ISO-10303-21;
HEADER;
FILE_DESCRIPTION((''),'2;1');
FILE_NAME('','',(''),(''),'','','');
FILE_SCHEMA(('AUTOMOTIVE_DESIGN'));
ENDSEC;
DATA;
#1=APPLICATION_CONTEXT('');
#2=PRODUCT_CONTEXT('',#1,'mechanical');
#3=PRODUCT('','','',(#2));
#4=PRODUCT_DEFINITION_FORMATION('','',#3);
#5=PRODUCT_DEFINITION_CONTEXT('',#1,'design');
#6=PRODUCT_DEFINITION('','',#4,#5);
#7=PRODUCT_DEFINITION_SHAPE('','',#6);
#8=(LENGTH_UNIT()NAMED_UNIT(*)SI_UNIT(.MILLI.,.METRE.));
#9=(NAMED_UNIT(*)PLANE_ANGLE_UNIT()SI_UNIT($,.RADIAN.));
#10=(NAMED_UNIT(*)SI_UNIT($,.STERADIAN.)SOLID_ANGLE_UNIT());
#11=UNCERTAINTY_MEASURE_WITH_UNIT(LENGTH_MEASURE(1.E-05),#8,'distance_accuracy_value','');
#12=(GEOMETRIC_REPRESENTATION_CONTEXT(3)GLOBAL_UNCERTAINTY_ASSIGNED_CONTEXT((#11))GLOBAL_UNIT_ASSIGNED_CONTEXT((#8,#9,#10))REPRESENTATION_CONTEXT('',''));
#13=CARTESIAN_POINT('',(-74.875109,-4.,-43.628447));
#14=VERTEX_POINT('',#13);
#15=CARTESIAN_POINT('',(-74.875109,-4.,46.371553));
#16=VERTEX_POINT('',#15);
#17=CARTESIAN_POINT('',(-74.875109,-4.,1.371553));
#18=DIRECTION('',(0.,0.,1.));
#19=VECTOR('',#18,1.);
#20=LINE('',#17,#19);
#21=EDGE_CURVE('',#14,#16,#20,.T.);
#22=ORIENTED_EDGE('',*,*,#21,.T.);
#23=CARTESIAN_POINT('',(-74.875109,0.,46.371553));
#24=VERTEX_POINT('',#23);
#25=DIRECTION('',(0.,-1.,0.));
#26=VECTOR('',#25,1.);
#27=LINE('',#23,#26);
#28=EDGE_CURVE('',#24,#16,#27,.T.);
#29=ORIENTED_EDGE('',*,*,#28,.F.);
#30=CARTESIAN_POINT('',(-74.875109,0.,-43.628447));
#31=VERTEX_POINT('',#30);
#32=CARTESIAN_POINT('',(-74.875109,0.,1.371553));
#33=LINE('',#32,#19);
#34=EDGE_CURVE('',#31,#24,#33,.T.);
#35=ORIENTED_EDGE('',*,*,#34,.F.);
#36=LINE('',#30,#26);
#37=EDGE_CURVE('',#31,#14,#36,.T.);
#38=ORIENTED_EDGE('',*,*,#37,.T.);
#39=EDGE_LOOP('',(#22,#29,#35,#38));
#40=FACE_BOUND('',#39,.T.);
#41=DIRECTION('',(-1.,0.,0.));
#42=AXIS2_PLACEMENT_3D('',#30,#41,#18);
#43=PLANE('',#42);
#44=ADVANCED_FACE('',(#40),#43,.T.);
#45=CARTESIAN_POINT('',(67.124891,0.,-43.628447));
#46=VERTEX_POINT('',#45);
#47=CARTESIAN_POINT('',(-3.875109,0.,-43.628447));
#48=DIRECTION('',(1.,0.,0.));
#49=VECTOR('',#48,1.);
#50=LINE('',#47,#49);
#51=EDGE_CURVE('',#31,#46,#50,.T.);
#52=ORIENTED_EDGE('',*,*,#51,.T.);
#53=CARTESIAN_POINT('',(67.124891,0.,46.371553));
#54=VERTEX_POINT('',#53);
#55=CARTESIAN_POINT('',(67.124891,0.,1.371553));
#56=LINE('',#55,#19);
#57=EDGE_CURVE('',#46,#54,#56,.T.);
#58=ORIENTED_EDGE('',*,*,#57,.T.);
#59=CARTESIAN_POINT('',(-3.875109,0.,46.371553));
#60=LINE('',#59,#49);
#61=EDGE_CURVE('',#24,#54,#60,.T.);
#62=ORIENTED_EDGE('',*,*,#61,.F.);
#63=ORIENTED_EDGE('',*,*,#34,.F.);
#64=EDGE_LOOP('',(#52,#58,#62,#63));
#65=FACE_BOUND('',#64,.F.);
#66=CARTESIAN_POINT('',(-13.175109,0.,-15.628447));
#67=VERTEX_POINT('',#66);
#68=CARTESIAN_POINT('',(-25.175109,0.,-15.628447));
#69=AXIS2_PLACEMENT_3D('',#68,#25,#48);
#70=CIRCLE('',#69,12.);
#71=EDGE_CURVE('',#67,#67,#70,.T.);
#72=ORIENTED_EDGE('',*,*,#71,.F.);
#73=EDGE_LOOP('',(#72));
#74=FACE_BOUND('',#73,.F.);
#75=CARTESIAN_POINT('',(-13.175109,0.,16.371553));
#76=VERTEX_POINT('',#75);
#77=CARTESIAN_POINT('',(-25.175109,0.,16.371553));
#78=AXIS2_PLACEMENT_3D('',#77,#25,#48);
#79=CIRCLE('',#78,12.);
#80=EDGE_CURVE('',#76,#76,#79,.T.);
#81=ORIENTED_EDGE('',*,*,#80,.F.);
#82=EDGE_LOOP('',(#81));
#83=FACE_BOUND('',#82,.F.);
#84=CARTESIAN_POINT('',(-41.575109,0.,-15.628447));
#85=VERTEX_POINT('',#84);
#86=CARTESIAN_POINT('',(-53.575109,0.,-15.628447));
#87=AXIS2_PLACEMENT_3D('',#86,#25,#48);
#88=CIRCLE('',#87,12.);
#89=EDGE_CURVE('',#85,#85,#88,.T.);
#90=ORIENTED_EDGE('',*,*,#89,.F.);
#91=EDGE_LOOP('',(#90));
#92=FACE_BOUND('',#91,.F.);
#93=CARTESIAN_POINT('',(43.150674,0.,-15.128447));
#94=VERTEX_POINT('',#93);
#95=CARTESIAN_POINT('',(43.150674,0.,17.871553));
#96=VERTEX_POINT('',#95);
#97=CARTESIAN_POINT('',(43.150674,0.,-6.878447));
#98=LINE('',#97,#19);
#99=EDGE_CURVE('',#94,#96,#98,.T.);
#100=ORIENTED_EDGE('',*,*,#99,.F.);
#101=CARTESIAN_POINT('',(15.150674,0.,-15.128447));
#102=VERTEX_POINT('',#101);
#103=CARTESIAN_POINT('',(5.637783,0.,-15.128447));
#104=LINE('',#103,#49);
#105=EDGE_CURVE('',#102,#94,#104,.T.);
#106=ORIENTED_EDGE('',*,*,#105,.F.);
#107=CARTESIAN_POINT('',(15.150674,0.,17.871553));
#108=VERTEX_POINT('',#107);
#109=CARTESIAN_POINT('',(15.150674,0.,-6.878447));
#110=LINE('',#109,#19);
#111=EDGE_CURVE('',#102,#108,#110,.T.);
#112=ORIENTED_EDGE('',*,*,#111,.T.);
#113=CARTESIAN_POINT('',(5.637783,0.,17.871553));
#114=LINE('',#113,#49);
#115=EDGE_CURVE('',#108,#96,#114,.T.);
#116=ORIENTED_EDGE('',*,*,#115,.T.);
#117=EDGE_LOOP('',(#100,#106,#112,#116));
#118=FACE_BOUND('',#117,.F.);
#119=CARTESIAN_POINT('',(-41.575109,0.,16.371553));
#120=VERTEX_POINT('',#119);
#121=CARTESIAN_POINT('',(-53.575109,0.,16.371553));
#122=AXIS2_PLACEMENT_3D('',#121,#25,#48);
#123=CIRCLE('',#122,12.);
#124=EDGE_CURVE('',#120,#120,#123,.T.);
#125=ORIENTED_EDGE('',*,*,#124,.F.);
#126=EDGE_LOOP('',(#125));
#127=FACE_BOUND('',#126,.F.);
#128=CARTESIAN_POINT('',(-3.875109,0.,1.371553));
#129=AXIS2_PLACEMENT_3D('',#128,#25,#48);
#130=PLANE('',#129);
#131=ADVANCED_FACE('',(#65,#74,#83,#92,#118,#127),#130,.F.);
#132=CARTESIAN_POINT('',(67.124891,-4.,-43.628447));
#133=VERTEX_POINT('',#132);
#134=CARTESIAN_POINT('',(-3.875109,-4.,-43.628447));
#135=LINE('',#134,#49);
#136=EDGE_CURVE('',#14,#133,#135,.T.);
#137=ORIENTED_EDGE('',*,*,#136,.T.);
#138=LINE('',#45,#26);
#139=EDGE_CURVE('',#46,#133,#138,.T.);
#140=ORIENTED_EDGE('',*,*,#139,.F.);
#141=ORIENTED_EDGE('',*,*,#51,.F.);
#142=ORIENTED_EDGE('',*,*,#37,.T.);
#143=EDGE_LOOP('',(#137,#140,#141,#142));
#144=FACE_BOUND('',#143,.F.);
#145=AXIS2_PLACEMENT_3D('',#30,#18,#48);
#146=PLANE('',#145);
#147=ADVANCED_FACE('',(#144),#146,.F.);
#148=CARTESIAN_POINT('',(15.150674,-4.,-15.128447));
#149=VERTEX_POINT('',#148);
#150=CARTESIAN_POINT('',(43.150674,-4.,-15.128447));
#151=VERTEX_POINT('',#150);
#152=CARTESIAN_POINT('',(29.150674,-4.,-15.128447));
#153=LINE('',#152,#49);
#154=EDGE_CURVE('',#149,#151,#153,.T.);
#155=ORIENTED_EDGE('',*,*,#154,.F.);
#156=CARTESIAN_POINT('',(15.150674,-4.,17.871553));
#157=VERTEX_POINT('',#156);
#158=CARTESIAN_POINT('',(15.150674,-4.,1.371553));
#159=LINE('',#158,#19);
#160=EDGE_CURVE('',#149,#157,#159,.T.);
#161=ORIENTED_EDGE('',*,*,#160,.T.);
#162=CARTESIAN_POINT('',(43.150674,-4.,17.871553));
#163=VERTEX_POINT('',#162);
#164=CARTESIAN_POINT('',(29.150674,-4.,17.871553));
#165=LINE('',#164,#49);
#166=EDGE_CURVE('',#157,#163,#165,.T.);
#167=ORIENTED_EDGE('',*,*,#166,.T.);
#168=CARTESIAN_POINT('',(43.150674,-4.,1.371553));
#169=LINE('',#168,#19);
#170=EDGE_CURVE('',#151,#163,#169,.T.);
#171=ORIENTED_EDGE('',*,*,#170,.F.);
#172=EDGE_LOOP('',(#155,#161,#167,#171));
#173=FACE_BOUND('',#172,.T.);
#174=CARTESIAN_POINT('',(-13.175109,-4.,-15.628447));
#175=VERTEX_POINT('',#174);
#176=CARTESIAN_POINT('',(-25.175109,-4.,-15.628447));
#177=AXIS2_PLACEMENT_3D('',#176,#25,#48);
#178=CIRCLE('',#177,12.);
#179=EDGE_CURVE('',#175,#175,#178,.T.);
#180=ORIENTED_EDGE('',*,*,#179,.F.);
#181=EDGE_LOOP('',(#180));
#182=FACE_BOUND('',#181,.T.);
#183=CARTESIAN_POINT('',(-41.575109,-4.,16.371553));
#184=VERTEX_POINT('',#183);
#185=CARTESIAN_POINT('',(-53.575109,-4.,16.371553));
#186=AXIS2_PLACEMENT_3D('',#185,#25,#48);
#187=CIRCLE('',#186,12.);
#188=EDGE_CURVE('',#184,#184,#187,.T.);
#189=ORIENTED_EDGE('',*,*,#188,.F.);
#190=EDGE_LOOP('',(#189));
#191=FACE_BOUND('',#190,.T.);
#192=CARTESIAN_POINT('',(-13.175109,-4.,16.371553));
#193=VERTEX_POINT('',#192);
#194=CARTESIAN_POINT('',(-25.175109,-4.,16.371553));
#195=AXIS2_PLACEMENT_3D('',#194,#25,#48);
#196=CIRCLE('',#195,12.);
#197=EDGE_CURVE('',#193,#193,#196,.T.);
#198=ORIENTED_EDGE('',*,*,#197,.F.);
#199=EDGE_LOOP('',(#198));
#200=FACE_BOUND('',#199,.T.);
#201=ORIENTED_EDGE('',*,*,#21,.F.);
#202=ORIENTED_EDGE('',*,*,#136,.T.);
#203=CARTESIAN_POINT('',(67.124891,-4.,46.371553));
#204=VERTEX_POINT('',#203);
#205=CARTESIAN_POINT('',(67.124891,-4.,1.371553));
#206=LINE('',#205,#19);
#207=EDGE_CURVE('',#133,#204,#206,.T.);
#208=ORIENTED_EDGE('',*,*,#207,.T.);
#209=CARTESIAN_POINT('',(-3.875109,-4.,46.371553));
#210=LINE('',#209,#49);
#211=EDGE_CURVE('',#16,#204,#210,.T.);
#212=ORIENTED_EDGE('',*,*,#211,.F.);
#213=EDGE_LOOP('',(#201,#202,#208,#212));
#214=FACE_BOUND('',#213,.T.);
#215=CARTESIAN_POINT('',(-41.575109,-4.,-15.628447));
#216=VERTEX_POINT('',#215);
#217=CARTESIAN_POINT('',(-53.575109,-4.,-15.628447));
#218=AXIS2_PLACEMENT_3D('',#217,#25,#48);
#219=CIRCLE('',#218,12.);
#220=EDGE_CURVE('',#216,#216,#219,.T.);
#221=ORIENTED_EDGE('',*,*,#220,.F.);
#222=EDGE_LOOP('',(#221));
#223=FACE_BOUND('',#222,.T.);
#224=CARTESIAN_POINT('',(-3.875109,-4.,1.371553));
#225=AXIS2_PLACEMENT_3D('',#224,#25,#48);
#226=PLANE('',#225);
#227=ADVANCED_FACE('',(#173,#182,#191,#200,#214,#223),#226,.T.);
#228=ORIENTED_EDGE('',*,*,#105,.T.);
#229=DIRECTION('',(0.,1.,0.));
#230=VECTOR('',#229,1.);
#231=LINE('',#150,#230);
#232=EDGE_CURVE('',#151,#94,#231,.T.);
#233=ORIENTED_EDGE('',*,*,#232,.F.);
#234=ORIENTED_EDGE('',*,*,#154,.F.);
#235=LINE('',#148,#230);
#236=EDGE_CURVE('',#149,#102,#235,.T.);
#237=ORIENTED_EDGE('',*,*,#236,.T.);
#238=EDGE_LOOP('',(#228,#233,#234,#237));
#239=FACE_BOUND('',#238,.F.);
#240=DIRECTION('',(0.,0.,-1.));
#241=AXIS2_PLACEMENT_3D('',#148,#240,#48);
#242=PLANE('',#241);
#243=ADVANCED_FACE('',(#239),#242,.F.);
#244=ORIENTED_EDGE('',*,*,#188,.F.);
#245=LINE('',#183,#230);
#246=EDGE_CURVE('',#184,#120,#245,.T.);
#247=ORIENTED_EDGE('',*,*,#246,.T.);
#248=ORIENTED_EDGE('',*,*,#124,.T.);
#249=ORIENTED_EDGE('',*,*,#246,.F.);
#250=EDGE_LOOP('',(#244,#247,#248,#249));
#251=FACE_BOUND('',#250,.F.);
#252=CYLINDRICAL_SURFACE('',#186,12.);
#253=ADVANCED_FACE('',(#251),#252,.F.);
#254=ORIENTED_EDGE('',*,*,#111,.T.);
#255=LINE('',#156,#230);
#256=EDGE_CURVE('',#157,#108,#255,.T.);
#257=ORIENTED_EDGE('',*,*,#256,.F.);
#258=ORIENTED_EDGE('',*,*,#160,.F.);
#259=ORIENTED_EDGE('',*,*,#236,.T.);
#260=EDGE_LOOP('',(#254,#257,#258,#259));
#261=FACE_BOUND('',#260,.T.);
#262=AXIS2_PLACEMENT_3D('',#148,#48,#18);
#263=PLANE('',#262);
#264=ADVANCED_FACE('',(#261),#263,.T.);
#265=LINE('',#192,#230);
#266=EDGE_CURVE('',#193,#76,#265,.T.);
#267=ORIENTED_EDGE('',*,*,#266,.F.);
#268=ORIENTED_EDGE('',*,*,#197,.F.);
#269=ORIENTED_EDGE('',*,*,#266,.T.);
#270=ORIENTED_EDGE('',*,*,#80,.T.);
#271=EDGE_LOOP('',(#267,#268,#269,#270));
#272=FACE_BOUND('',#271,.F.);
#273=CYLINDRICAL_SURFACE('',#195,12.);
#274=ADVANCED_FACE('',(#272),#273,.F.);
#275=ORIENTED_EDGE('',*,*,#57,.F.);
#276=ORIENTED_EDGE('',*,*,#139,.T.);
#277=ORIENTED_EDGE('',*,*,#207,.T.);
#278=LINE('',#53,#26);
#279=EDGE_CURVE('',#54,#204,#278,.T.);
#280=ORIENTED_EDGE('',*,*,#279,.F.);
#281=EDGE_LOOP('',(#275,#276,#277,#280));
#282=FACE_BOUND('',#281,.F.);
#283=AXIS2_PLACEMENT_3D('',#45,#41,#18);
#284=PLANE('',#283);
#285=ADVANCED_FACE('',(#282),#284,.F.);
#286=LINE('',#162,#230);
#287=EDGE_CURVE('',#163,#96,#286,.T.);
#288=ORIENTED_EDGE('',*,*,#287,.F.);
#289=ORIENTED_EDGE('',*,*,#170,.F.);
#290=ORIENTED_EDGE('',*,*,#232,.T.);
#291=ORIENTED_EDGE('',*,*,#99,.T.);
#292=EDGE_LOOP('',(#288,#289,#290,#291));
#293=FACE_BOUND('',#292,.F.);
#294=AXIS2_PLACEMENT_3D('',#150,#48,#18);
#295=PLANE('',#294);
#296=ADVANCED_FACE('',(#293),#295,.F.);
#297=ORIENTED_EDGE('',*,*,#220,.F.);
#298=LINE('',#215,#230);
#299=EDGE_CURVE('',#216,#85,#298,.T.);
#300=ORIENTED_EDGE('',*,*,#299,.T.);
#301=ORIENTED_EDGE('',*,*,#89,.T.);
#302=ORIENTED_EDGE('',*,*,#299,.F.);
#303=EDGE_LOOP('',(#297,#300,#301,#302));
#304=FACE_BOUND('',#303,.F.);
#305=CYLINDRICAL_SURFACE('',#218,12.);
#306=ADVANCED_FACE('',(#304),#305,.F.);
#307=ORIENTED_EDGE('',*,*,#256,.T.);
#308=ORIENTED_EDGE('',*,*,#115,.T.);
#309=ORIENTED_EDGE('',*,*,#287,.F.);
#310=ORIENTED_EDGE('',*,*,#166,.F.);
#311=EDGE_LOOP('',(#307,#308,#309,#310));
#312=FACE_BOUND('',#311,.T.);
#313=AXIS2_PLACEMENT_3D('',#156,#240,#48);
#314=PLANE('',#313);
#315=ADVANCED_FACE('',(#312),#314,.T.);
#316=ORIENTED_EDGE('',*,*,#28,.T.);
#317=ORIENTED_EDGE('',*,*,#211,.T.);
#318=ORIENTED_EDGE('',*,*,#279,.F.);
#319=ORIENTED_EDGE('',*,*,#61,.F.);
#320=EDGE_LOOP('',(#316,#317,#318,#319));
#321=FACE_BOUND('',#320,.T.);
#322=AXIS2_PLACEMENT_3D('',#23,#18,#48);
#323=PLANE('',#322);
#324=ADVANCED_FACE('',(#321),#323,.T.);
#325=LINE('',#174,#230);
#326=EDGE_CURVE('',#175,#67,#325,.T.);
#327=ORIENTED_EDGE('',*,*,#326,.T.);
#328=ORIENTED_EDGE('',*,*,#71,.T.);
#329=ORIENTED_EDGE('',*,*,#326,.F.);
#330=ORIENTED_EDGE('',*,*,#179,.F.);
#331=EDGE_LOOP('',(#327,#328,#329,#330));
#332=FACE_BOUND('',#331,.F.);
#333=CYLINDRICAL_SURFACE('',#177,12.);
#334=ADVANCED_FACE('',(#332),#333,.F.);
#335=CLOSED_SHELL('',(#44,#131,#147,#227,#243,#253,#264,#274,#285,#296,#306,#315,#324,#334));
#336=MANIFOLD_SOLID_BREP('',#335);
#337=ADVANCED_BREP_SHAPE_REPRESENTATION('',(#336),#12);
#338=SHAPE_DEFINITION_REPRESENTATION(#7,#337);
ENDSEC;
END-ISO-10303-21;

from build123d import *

# Parameters (mm, degrees)
F0_W     = 142
F0_H     = 90
F1_DEPTH = 4
F2_R     = 12
F2_W     = 28
F2_H     = 33
F3_DEPTH = 4.001


with BuildPart() as f1:
    # F0 (on Front) → F1 (new body)
    with BuildSketch(Plane.XZ):
        with Locations((-3.875109, 1.371553)):
            Rectangle(F0_W, F0_H)
    extrude(amount=F1_DEPTH)

    # F2 (on face) → F3 (cut, through all)
    with BuildSketch(Plane.XZ.offset(4)):
        with Locations((-53.575109, 16.371553)):
            Circle(F2_R)
        with Locations((-25.175109, 16.371553)):
            Circle(F2_R)
        with Locations((-53.575109, -15.628447)):
            Circle(F2_R)
        with Locations((-25.175109, -15.628447)):
            Circle(F2_R)
        with Locations((29.150674, 1.371553)):
            Rectangle(F2_W, F2_H)
    extrude(amount=-F3_DEPTH, mode=Mode.SUBTRACT)


solid = f1.part
